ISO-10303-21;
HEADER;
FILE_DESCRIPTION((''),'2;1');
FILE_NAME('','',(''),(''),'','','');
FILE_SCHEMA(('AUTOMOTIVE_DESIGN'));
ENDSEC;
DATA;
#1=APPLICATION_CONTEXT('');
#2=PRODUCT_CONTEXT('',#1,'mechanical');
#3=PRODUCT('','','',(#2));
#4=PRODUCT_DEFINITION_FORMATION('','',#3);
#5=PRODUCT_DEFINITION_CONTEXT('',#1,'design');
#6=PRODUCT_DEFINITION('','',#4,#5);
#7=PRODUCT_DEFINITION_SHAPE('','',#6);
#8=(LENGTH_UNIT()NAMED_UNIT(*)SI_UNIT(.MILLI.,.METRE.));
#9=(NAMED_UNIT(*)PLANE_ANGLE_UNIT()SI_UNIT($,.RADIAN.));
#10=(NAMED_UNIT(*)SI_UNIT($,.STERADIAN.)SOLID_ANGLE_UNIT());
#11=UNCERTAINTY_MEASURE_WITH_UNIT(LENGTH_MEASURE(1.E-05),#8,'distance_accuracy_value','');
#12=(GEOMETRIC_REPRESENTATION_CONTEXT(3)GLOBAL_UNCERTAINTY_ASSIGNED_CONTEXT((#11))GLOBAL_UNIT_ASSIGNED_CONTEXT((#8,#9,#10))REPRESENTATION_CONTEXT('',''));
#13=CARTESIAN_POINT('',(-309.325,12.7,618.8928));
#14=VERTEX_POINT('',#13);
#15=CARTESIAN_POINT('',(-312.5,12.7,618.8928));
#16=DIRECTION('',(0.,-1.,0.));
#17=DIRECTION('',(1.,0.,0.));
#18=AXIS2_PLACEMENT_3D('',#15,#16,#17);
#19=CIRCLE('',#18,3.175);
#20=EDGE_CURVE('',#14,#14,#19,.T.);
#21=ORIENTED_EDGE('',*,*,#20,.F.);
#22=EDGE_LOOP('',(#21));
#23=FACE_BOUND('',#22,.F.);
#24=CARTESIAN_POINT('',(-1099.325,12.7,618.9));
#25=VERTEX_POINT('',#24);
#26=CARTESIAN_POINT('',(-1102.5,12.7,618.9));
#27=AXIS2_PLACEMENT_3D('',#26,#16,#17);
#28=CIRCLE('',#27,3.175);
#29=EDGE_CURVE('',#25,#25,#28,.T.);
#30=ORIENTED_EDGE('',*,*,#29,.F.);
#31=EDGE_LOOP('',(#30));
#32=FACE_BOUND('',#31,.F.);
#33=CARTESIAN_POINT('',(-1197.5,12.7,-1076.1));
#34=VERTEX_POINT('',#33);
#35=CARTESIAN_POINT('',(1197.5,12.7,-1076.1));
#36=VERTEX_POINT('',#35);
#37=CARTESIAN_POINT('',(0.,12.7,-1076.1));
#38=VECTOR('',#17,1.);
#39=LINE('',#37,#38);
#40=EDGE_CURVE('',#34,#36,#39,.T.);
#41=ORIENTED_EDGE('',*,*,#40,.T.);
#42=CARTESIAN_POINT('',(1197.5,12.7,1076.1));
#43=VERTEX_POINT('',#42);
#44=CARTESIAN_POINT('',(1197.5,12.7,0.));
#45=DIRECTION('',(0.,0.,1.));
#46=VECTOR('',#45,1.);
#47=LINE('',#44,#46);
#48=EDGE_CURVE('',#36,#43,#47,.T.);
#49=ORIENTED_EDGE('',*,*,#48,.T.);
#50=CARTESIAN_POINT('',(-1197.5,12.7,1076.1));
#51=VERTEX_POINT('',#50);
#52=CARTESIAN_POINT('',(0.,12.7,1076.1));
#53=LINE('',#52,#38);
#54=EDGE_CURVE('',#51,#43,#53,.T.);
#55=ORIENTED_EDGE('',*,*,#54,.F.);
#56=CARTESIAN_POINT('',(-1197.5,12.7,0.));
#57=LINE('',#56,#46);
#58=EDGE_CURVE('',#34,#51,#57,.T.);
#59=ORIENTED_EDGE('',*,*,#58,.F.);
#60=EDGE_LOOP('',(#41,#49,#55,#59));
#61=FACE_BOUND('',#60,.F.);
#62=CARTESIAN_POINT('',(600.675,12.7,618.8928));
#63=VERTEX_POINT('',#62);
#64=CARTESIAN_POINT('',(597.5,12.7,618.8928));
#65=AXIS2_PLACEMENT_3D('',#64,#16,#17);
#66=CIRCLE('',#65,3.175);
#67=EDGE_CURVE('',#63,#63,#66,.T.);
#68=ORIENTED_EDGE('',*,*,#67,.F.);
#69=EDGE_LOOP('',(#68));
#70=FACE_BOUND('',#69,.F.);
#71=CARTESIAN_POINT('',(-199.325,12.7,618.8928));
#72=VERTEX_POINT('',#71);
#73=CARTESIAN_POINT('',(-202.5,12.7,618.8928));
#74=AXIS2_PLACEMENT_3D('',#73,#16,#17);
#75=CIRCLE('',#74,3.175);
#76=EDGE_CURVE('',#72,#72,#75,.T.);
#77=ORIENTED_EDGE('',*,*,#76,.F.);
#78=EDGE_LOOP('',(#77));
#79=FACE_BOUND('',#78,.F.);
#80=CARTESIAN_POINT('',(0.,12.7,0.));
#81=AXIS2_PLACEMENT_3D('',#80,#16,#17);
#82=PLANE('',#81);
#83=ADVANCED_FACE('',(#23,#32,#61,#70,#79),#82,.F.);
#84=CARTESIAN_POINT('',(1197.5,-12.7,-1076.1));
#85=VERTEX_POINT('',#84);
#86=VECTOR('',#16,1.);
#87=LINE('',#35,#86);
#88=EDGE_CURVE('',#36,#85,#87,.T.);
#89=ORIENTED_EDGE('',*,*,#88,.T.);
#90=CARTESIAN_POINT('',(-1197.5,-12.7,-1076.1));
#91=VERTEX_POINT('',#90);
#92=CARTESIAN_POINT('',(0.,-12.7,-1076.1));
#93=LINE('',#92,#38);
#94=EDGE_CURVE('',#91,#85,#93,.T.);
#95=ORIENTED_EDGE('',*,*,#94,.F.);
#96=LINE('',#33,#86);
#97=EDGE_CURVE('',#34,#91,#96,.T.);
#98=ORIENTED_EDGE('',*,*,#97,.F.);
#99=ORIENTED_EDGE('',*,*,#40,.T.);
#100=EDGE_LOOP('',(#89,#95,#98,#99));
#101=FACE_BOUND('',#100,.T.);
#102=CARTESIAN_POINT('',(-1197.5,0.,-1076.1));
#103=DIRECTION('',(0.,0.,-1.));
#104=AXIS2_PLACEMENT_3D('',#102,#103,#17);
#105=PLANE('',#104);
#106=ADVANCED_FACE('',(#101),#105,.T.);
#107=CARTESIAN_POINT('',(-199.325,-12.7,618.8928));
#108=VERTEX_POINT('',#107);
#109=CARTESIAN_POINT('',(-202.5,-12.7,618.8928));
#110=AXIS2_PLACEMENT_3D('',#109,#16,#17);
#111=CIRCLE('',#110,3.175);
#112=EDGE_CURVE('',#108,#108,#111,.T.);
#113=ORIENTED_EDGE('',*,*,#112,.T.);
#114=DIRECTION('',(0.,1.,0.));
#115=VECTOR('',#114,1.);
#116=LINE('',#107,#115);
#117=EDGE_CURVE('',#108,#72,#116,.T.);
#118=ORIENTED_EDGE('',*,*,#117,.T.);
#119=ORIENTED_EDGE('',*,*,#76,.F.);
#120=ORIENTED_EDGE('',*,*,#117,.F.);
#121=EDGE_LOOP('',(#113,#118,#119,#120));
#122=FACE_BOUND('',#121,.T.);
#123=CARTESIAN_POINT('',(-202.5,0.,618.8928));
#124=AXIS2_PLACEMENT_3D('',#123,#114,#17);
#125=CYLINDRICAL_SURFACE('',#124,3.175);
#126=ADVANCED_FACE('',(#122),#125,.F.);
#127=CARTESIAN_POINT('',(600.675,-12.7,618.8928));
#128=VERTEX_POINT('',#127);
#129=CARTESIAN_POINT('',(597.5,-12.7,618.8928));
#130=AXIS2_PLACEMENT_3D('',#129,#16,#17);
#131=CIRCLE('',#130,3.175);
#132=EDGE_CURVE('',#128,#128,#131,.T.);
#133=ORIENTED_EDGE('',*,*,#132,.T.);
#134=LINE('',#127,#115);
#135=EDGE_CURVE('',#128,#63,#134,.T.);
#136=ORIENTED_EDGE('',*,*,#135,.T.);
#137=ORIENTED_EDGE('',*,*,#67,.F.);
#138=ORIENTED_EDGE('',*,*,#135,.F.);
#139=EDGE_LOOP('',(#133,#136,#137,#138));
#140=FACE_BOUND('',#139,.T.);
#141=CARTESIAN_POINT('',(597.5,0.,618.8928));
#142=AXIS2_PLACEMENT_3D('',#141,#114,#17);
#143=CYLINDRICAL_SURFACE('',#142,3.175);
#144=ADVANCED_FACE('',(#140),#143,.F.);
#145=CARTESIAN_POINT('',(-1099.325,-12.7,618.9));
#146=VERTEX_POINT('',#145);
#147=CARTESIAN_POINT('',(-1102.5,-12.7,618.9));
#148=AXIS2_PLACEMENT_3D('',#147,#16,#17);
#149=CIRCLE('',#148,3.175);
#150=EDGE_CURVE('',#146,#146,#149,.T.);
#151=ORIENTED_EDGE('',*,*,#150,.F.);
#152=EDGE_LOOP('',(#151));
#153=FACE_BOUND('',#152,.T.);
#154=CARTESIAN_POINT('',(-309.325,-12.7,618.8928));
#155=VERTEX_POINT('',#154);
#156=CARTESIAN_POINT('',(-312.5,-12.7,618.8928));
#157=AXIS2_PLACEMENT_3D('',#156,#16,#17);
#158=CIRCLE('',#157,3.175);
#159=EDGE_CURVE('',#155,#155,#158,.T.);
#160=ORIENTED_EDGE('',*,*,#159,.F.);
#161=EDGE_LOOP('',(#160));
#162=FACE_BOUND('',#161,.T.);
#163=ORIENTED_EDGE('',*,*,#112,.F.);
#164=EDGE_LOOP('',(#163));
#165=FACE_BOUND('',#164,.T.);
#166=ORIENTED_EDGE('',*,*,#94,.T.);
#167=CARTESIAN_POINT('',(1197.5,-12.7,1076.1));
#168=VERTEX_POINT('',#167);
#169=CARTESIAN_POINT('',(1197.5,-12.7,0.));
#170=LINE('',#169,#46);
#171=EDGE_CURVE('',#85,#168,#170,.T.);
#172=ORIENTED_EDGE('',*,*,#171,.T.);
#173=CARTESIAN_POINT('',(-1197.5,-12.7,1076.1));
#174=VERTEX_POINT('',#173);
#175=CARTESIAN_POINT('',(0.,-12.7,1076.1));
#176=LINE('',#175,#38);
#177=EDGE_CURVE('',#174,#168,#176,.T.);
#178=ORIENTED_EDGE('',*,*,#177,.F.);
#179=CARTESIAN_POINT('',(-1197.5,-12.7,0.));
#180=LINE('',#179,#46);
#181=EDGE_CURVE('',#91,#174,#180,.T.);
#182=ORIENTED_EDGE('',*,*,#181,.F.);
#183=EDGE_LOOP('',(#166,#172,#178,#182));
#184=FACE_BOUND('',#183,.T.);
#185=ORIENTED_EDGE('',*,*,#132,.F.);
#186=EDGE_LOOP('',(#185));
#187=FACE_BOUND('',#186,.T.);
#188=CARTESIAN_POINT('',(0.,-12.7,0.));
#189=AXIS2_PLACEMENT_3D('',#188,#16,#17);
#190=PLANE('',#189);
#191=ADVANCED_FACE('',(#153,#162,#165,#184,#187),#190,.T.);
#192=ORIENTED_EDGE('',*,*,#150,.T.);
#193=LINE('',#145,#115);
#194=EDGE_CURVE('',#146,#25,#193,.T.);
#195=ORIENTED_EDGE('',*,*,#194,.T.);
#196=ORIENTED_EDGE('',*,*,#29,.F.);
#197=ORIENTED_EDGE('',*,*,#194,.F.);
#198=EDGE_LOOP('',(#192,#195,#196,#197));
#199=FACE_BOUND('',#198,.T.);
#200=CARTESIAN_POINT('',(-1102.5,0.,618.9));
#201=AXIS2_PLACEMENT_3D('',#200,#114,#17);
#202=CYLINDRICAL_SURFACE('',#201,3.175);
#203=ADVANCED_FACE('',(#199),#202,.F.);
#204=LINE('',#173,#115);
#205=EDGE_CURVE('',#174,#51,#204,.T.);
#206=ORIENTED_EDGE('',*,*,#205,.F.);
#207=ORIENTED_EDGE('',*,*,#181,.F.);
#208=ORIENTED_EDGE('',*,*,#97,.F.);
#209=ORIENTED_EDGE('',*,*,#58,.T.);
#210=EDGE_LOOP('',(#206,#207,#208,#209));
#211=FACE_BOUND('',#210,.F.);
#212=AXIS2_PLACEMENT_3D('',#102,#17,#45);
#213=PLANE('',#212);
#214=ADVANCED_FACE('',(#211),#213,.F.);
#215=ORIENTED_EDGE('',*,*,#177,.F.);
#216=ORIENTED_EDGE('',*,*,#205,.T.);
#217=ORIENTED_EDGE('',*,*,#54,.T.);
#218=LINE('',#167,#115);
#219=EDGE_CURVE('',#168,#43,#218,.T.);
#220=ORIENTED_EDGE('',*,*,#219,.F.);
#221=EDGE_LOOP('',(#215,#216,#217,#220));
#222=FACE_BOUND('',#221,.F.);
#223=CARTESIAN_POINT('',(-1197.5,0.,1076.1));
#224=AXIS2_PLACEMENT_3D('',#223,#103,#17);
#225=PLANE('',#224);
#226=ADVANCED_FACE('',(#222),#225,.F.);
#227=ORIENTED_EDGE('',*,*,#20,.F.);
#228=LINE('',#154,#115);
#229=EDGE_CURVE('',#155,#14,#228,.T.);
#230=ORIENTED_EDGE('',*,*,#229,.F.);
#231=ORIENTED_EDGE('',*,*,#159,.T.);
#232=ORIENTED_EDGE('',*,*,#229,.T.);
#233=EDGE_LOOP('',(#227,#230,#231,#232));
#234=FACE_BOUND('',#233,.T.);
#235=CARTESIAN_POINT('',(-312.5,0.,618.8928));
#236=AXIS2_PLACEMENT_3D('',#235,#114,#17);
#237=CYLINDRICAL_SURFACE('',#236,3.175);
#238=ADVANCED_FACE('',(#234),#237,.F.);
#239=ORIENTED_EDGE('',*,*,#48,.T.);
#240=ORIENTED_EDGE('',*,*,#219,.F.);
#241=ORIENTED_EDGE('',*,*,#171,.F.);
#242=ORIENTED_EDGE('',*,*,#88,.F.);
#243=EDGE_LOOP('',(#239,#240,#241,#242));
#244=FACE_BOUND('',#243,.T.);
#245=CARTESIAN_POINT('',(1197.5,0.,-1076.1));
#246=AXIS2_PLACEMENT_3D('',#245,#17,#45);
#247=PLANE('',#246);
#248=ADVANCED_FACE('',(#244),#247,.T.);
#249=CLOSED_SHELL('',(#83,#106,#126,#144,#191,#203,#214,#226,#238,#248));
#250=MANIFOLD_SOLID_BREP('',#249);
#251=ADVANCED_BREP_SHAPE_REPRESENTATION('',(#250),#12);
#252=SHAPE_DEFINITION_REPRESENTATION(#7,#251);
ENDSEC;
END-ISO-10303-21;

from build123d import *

# Parameters (mm, degrees)
F0_W     = 2395
F0_H     = 2152.2
F0_R     = 3.175
F1_DEPTH = 12.7


with BuildPart() as f1:
    # F0 (on Front) → F1 (new body, symmetric)
    with BuildSketch(Plane.XZ):
        Rectangle(F0_W, F0_H)
        with Locations((-1102.5, 618.9)):
            Circle(F0_R, mode=Mode.SUBTRACT)
        with Locations((-312.5, 618.8928)):
            Circle(F0_R, mode=Mode.SUBTRACT)
        with Locations((-202.5, 618.8928)):
            Circle(F0_R, mode=Mode.SUBTRACT)
        with Locations((597.5, 618.8928)):
            Circle(F0_R, mode=Mode.SUBTRACT)
    extrude(amount=F1_DEPTH, both=True)


solid = f1.part
